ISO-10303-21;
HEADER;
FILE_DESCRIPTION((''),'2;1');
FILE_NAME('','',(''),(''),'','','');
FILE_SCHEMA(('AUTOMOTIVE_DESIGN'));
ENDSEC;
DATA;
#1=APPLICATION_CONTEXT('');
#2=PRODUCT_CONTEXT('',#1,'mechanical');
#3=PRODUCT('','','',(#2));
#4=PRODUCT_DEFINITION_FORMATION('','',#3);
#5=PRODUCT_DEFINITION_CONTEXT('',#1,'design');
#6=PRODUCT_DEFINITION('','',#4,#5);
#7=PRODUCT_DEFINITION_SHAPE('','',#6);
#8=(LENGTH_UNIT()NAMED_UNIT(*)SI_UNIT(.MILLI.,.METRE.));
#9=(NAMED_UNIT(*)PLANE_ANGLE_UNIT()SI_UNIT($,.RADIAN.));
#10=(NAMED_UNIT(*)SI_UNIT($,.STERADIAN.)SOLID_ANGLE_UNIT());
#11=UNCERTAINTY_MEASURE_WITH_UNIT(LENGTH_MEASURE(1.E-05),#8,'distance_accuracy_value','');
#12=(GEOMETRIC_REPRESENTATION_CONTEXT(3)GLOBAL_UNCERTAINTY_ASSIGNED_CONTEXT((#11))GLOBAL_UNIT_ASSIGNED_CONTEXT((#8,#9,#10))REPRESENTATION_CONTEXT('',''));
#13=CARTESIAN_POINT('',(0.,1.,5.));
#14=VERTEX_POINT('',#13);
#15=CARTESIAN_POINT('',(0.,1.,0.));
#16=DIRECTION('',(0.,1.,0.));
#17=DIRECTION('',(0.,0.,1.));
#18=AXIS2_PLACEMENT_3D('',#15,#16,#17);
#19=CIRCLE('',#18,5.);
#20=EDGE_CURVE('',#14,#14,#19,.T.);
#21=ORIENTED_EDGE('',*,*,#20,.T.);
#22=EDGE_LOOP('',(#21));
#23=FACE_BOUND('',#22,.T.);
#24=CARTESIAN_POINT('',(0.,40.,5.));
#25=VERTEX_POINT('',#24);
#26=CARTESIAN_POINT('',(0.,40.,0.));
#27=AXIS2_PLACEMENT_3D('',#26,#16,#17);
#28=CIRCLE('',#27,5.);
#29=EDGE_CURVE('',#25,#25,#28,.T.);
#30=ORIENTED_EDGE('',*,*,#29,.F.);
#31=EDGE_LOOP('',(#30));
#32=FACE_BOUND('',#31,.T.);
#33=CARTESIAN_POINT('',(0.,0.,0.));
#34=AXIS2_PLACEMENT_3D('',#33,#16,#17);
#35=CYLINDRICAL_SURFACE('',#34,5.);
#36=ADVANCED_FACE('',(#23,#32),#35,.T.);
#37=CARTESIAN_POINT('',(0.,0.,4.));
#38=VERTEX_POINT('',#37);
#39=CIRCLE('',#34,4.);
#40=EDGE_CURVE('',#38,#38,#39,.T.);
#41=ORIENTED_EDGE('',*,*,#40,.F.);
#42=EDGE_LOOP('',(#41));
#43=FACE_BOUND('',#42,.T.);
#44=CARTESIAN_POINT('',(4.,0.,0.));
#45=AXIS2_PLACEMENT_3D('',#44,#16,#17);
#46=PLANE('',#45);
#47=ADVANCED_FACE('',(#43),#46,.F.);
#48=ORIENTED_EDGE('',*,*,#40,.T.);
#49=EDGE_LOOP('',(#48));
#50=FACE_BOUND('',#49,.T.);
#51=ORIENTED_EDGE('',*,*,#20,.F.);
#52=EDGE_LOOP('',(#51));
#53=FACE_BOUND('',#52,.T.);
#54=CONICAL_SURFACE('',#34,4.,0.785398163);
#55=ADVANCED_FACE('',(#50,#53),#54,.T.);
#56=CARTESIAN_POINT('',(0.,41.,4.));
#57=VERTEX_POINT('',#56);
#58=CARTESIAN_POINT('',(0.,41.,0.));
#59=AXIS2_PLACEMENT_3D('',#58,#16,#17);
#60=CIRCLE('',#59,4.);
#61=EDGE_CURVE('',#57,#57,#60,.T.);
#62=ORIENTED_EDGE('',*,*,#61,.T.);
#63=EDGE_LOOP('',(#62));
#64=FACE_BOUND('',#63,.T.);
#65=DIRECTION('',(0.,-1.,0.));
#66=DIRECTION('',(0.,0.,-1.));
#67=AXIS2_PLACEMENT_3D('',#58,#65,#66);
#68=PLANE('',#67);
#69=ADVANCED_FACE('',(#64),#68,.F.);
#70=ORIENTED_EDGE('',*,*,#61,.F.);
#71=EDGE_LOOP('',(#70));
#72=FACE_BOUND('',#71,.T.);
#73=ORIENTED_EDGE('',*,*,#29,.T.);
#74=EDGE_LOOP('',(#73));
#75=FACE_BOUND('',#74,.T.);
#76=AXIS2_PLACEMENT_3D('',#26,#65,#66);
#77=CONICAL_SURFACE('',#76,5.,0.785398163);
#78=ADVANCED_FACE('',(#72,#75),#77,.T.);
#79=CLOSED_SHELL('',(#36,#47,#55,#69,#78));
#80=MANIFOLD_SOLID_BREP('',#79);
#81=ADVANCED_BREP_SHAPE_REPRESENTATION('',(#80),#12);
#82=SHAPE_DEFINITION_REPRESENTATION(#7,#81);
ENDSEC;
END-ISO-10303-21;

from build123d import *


with BuildPart() as part:
    # Эскиз1 → Повернуть1 (revolve)
    with BuildSketch(Plane.XY):
        Polygon((0, 0), (0, 41), (4, 41), (5, 40), (5, 1), (4, 0), align=None)
    revolve(axis=Axis((0, 0, 0), (0, -1, 0)))


solid = part.part
